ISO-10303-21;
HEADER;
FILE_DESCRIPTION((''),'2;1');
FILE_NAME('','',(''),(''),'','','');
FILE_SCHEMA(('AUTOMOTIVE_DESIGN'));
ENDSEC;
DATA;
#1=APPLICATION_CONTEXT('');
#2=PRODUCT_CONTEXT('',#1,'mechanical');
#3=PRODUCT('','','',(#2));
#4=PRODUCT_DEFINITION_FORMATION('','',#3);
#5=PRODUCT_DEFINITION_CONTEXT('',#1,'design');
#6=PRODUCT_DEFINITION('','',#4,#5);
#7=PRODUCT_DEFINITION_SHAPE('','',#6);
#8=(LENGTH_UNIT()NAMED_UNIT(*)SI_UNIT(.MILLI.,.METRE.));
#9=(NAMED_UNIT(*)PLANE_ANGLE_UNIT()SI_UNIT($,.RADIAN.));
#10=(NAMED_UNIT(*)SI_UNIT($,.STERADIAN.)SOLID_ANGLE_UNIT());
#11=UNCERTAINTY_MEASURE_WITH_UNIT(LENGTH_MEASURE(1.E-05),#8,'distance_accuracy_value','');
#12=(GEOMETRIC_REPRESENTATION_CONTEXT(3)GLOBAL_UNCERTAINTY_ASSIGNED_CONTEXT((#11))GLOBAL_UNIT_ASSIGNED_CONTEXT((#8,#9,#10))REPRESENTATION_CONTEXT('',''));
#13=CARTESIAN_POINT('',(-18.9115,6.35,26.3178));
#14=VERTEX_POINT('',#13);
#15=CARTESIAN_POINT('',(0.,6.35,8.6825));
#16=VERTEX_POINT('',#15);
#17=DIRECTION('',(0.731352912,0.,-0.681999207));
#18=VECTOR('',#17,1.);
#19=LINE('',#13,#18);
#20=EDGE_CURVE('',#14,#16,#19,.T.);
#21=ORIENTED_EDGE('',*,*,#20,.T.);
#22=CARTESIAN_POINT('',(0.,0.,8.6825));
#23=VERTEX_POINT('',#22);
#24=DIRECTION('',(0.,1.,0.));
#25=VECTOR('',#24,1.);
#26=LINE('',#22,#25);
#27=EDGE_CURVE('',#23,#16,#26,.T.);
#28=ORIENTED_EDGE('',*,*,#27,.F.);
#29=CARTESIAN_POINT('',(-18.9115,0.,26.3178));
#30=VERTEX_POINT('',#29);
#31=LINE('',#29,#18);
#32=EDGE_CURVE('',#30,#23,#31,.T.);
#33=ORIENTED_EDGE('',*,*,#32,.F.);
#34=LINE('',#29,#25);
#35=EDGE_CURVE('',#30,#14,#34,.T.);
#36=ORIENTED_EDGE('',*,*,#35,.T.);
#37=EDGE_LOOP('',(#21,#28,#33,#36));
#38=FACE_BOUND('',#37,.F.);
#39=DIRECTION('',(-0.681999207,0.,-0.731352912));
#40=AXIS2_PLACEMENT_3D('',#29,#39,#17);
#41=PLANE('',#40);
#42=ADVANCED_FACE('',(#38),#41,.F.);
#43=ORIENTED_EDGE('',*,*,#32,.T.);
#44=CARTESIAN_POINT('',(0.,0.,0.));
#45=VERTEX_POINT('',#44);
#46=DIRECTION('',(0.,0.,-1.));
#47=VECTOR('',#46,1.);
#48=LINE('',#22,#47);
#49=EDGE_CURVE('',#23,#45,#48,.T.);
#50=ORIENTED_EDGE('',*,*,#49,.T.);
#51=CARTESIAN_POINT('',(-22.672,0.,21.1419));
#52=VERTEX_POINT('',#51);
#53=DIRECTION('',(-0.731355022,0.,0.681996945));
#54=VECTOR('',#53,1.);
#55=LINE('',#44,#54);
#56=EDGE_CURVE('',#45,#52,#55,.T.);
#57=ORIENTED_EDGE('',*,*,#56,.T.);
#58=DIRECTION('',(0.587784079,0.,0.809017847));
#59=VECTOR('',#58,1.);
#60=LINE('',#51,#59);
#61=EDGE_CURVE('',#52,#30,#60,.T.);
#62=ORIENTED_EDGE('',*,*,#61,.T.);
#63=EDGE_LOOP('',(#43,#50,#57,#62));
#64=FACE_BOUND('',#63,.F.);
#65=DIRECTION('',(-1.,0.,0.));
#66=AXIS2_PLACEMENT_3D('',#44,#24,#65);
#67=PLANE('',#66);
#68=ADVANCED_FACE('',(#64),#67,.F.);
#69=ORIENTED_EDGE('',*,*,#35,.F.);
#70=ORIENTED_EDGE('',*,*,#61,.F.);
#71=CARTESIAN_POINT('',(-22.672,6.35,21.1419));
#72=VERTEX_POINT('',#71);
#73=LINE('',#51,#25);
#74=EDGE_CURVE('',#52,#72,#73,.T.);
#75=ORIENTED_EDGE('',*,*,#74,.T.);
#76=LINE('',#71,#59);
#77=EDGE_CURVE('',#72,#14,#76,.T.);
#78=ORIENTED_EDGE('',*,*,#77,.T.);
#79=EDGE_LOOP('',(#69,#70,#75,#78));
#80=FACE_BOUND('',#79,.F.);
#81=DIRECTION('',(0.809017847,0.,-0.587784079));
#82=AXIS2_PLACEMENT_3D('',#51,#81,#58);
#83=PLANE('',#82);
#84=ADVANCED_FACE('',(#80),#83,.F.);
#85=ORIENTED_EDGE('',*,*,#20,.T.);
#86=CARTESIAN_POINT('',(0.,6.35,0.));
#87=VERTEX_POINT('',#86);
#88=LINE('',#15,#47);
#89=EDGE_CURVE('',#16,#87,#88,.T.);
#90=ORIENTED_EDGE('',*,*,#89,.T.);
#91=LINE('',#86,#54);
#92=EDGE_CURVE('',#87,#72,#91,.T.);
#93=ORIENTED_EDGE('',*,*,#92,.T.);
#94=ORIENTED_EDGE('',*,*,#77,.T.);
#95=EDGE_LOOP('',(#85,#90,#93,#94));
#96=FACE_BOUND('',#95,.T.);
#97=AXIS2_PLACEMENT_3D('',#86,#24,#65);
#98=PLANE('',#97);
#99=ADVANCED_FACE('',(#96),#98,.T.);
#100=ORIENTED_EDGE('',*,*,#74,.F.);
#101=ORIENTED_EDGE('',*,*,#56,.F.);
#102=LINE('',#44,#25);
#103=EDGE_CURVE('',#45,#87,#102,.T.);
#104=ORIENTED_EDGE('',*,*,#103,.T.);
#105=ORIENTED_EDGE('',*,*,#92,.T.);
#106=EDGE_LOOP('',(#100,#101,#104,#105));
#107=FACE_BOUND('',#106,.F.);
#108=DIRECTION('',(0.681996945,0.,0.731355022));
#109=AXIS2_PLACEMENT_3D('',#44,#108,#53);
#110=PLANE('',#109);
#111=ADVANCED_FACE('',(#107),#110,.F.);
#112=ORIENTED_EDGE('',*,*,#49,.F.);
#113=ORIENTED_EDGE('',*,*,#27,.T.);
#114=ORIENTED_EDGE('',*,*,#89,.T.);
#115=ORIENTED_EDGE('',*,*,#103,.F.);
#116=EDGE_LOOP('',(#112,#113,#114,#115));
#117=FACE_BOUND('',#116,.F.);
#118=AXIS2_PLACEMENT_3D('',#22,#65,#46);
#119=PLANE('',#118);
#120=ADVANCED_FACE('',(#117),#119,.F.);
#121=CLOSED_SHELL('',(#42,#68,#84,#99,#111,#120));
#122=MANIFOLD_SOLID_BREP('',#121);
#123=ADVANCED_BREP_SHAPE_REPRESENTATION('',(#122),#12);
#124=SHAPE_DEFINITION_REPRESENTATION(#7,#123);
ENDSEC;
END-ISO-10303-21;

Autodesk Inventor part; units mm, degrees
ref_plane "YZ Plane" through (0, 0, 0) normal (1, 0, 0) x (0, 1, 0)
ref_plane "XZ Plane" through (0, 0, 0) normal (0, 1, 0) x (-1, 0, 0)
ref_plane "XY Plane" through (0, 0, 0) normal (0, 0, 1) x (1, 0, 0)
sketch "Sketch1" plane through (0, 0, 0) normal (0, 1, 0) x (-1, 0, 0)
  line L0 (0, 0) -> (22.672, 21.1419)
  line L1 (0, 0) -> (31, 0) construction
  line L2 (22.672, 21.1419) -> (18.9115, 26.3178)
  line L3 (22.672, 21.1419) -> (29.0697, 21.1419) construction
  line L4 (18.9115, 26.3178) -> (0, 8.6825)
  line L5 (0, 8.6825) -> (0, 0)
  dimension "d0" = 31
  dimension "d1" = 43
  dimension "d3" = 126
extrude "Extrusion1" add sketch "Sketch1" along normal blind 6.35
properties part number "UpperMiniSupport"
